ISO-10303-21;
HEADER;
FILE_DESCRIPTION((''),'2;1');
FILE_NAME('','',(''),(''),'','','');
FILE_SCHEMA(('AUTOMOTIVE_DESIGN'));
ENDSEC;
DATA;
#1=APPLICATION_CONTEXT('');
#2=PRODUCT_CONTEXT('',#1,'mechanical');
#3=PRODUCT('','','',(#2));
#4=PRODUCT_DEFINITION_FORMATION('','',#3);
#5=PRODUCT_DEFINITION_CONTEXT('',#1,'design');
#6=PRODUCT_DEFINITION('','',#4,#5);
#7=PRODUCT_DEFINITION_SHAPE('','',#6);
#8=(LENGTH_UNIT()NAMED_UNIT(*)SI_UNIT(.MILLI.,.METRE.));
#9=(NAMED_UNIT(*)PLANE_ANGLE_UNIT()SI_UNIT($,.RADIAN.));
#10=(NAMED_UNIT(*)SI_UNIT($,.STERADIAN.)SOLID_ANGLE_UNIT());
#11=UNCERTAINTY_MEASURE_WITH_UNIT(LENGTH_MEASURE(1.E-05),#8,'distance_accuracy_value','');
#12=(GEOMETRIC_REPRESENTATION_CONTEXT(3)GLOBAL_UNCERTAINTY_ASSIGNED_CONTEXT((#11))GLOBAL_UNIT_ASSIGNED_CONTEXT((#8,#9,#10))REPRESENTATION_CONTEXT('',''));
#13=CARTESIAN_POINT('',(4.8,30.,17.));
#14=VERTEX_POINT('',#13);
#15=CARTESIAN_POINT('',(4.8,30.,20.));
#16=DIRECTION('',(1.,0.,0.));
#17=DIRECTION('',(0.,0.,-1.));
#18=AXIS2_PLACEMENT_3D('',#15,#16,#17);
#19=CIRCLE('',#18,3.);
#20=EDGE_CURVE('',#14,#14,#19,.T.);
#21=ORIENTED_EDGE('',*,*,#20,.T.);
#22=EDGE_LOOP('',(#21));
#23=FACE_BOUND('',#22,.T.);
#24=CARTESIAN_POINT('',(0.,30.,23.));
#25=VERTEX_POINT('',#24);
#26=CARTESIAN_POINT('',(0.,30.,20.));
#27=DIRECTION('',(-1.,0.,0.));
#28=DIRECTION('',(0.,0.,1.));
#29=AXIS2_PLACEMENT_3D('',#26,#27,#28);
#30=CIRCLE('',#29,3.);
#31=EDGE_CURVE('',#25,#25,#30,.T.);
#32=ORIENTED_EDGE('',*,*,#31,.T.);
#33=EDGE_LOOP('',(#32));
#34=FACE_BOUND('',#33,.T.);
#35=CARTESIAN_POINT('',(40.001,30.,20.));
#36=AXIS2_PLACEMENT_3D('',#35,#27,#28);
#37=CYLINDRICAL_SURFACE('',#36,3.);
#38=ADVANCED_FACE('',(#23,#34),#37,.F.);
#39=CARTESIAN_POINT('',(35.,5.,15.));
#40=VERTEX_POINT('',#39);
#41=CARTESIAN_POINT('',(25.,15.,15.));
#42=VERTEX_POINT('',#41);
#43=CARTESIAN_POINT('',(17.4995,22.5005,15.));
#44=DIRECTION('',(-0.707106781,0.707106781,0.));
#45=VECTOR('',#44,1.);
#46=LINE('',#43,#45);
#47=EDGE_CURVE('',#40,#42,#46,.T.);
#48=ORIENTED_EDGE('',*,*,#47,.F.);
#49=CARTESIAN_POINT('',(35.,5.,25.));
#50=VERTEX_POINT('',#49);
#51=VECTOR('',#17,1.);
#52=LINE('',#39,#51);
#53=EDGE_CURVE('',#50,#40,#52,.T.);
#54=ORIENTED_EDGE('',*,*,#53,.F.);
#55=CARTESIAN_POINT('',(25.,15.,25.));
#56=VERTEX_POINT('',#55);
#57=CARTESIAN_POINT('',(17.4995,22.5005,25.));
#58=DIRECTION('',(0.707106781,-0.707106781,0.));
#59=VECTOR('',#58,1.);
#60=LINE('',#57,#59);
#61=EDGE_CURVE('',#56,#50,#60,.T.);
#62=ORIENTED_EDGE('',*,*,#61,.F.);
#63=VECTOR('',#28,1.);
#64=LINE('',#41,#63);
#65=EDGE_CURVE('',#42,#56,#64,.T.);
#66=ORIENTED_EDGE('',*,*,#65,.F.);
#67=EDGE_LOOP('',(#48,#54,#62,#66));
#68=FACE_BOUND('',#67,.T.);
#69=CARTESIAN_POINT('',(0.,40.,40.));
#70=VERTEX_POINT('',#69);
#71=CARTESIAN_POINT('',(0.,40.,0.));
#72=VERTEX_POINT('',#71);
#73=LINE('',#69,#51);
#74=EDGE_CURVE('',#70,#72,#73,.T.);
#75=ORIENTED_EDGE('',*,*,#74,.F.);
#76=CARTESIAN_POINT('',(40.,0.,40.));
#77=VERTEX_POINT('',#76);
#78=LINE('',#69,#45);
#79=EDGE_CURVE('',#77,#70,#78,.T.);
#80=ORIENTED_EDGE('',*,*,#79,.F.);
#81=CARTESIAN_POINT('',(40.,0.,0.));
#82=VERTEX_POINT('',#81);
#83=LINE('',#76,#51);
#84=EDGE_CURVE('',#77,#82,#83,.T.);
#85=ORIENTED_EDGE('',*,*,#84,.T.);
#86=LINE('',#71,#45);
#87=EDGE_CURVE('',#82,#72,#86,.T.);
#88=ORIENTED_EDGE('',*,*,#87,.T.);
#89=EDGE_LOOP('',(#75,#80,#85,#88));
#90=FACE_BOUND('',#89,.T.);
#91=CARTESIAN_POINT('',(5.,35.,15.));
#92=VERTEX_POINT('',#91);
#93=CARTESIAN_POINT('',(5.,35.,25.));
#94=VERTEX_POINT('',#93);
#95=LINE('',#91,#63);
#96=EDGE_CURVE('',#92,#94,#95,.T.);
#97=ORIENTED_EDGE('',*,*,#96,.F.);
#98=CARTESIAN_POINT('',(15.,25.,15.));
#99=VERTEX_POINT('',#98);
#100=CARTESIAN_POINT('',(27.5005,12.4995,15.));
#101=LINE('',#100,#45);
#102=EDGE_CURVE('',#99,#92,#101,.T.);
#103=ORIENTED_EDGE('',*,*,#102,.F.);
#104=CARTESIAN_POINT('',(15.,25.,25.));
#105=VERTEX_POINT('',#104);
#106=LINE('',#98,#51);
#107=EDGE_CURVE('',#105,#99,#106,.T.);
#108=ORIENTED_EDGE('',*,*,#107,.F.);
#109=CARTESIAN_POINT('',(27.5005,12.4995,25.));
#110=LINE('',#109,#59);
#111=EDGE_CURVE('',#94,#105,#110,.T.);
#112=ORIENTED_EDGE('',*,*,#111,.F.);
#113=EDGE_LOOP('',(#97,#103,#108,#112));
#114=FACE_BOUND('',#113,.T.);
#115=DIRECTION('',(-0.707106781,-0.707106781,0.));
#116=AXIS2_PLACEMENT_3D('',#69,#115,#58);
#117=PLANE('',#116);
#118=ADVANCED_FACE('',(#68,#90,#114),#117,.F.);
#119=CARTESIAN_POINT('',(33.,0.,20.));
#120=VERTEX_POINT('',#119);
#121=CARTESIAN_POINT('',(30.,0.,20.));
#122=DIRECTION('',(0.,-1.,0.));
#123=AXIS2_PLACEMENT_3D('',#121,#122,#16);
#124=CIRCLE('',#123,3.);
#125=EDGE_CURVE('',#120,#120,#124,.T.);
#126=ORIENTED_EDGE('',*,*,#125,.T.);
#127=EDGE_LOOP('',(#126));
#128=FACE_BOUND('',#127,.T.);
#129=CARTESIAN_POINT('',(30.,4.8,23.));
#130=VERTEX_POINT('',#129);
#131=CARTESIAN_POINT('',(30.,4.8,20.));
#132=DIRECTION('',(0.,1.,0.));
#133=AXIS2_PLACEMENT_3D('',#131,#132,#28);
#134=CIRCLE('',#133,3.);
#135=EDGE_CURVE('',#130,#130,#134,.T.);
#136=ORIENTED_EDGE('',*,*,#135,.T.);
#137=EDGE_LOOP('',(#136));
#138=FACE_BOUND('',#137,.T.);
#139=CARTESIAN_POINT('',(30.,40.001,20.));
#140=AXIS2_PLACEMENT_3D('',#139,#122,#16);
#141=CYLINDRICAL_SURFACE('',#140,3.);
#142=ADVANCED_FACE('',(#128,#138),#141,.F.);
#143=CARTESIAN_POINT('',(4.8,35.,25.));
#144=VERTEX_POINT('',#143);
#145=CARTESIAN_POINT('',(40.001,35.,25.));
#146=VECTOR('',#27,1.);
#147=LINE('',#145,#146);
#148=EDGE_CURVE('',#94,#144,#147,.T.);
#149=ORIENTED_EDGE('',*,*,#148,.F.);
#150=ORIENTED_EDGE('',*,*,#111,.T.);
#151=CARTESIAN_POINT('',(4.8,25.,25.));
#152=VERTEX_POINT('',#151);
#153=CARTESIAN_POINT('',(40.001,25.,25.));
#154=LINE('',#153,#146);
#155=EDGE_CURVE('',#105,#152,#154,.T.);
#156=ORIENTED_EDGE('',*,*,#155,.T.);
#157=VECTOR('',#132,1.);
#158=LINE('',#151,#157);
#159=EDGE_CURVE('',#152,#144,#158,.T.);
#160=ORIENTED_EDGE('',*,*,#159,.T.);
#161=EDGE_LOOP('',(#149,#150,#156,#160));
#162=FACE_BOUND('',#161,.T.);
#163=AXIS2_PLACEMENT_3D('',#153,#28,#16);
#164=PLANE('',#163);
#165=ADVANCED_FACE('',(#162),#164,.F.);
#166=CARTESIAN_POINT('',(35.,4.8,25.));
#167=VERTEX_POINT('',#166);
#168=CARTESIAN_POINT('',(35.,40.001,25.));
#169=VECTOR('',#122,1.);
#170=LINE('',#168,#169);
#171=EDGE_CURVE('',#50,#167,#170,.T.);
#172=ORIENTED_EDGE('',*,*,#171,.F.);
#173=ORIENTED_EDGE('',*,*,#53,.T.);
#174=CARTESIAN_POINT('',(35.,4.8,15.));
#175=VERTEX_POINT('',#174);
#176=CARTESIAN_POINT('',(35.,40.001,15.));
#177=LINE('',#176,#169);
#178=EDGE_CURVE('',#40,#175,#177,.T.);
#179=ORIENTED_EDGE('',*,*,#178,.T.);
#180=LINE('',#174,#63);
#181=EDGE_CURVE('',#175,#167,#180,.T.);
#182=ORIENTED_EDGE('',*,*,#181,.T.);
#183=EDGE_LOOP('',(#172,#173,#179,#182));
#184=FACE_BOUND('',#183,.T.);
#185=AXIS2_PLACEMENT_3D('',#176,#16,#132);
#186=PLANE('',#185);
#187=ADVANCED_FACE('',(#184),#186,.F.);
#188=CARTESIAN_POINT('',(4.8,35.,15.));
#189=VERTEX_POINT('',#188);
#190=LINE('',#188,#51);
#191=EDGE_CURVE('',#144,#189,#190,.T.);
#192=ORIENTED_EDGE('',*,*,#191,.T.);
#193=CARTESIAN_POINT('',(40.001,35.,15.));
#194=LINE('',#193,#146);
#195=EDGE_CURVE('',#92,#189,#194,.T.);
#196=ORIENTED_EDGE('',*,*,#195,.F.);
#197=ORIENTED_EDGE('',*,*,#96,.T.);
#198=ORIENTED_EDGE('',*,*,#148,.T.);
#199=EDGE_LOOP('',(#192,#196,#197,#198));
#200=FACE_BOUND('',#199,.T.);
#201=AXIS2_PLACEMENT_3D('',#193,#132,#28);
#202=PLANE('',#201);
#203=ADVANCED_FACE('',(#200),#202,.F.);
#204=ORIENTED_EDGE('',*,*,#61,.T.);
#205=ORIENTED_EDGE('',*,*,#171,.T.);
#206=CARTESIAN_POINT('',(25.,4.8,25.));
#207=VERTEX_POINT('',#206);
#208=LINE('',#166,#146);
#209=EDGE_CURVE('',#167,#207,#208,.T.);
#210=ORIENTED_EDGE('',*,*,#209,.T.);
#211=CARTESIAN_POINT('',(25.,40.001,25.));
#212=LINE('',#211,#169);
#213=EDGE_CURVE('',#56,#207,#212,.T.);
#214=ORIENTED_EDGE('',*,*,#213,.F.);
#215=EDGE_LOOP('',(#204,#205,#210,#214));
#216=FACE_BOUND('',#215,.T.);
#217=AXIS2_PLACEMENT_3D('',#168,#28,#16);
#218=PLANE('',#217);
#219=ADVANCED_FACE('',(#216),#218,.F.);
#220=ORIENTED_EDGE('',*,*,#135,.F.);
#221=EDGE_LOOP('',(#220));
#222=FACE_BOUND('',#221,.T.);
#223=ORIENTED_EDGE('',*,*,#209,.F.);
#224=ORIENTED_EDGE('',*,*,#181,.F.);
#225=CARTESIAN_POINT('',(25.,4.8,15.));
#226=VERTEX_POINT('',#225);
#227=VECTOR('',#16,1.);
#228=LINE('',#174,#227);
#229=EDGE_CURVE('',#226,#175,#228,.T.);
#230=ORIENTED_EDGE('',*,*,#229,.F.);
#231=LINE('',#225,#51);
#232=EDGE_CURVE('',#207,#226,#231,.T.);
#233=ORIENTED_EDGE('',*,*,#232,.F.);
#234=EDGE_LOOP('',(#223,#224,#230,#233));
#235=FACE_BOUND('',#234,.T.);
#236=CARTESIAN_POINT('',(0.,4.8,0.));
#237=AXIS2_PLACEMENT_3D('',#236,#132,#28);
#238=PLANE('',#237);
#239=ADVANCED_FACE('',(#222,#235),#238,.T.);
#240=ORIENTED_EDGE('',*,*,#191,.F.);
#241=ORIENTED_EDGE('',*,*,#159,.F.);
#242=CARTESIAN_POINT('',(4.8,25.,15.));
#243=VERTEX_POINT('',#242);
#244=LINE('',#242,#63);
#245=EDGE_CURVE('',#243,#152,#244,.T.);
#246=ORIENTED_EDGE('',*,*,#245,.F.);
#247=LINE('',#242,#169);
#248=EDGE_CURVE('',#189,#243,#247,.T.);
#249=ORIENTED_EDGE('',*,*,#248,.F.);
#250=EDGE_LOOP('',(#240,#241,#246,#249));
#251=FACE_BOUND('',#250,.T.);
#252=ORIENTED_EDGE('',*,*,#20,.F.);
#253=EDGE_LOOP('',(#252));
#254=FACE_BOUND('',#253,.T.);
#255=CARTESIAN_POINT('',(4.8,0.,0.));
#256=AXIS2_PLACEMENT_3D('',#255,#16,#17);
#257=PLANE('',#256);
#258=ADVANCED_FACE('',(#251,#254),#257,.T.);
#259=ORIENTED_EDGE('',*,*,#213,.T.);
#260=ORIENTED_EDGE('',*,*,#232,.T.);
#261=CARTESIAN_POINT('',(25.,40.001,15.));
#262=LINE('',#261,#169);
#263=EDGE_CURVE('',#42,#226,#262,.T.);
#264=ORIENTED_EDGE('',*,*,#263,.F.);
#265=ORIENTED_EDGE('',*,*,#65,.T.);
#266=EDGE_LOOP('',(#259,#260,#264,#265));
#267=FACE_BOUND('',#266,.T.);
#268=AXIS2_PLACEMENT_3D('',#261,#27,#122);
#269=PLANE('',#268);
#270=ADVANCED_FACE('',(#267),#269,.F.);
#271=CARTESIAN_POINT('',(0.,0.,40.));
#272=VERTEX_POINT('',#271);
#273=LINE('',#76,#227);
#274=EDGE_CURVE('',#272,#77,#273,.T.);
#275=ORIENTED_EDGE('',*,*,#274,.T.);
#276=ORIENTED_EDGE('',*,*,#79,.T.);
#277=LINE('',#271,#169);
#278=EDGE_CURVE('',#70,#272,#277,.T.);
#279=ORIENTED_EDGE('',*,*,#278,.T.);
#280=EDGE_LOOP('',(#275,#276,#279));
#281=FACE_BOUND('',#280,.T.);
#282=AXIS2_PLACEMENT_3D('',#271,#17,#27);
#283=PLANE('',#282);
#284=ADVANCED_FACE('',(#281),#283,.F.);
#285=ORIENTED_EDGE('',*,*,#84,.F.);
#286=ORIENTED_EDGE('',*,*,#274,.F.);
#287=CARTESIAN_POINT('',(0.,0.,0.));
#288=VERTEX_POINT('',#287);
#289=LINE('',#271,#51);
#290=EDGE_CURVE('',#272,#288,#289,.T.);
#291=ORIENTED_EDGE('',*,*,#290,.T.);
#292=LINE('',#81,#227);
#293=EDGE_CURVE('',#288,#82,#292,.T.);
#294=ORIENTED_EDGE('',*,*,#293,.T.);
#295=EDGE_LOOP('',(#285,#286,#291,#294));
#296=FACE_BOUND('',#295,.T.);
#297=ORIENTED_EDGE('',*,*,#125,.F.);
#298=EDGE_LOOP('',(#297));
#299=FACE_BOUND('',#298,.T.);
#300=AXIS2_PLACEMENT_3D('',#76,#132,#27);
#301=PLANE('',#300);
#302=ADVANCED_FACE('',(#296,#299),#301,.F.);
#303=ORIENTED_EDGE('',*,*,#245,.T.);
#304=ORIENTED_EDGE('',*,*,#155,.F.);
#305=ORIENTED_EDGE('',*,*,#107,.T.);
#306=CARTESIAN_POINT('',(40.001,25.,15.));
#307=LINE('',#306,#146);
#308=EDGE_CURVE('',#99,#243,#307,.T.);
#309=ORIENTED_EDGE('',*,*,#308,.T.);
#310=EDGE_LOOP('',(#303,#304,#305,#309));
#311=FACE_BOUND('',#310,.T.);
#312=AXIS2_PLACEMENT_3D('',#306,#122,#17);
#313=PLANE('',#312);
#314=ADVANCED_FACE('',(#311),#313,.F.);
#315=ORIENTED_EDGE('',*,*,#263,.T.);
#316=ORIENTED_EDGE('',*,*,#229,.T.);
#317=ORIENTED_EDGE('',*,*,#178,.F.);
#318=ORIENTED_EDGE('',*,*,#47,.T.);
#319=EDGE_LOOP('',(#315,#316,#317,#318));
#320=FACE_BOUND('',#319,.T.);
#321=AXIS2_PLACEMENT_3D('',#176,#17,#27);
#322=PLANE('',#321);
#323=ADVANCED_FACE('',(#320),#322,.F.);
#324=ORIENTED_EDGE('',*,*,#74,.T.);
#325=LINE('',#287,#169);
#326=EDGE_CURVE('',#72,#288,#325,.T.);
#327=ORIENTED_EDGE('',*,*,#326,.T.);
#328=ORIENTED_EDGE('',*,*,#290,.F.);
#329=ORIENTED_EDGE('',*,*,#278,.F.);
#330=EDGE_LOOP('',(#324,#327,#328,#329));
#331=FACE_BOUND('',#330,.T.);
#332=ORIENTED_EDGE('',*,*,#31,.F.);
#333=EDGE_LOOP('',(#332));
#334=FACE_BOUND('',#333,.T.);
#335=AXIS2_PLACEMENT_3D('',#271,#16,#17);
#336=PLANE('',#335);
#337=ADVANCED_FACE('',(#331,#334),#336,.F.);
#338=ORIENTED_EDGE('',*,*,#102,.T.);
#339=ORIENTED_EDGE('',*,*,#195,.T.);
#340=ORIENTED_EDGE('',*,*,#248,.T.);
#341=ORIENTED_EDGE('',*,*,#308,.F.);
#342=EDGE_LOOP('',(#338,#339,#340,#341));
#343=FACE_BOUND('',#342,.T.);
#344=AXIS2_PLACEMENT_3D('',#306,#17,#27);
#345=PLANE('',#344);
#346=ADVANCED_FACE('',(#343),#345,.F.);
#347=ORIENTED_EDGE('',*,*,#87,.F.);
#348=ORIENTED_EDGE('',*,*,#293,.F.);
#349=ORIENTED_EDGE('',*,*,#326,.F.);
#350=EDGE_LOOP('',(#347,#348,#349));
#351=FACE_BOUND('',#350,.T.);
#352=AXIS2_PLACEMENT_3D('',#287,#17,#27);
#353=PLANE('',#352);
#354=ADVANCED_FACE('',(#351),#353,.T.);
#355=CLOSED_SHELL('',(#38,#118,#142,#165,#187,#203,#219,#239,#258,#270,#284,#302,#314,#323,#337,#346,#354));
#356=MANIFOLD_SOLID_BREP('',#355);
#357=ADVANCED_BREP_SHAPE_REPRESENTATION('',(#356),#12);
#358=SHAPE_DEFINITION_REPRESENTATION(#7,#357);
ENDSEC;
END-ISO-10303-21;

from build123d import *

# Parameters (mm, degrees)
BOSS_EXTRU_1_DEPTH      = 40
ENL_V_MAT_EXTRU_1_REACH = 42
ESQUISSE3_R             = 3
ENL_V_MAT_EXTRU_2_REACH = 42
ESQUISSE4_R             = 3
ENL_V_MAT_EXTRU_4_REACH = 37.2
ESQUISSE9_W             = 10
ESQUISSE9_H             = 10
ENL_V_MAT_EXTRU_5_REACH = 37.2
ESQUISSE10_W            = 10
ESQUISSE10_H            = 10


with BuildPart() as part:
    # Esquisse2 → Boss.-Extru.1 (new body)
    with BuildSketch(Plane.XY):
        Polygon((0, 0), (0, 40), (40, 0), align=None)
    extrude(amount=BOSS_EXTRU_1_DEPTH)

    # Esquisse3 → Enlèv. mat.-Extru.1 (cut, up to next)
    with BuildSketch(Plane.XZ, mode=Mode.PRIVATE) as enl_v_mat_extru_1_sk1:
        with Locations((30, 20)):
            Circle(ESQUISSE3_R)
    enl_v_mat_extru_1_tool1 = extrude(enl_v_mat_extru_1_sk1.sketch, amount=-ENL_V_MAT_EXTRU_1_REACH, mode=Mode.PRIVATE) & part.part
    add(enl_v_mat_extru_1_tool1.solids().sort_by_distance((30, 0, 20))[0], mode=Mode.SUBTRACT)

    # Esquisse4 → Enlèv. mat.-Extru.2 (cut, up to next)
    with BuildSketch(Plane.ZY, mode=Mode.PRIVATE) as enl_v_mat_extru_2_sk1:
        with Locations((20, 30)):
            Circle(ESQUISSE4_R)
    enl_v_mat_extru_2_tool1 = extrude(enl_v_mat_extru_2_sk1.sketch, amount=-ENL_V_MAT_EXTRU_2_REACH, mode=Mode.PRIVATE) & part.part
    add(enl_v_mat_extru_2_tool1.solids().sort_by_distance((0, 30, 20))[0], mode=Mode.SUBTRACT)

    # Esquisse9 → Enlèv. mat.-Extru.4 (cut, up to next)
    with BuildSketch(Plane.ZY.offset(-4.8), mode=Mode.PRIVATE) as enl_v_mat_extru_4_sk1:
        with Locations((20, 30)):
            Rectangle(ESQUISSE9_W, ESQUISSE9_H)
    enl_v_mat_extru_4_tool1 = extrude(enl_v_mat_extru_4_sk1.sketch, amount=-ENL_V_MAT_EXTRU_4_REACH, mode=Mode.PRIVATE) & part.part
    add(enl_v_mat_extru_4_tool1.solids().sort_by_distance((4.8, 30, 20))[0], mode=Mode.SUBTRACT)

    # Esquisse10 → Enlèv. mat.-Extru.5 (cut, up to next)
    with BuildSketch(Plane(origin=(0, 4.8, 0), x_dir=(0, 0, 1), z_dir=(0, -1, 0)), mode=Mode.PRIVATE) as enl_v_mat_extru_5_sk1:
        with Locations((20, -30)):
            Rectangle(ESQUISSE10_W, ESQUISSE10_H)
    enl_v_mat_extru_5_tool1 = extrude(enl_v_mat_extru_5_sk1.sketch, amount=-ENL_V_MAT_EXTRU_5_REACH, mode=Mode.PRIVATE) & part.part
    add(enl_v_mat_extru_5_tool1.solids().sort_by_distance((30, 4.8, 20))[0], mode=Mode.SUBTRACT)


solid = part.part
